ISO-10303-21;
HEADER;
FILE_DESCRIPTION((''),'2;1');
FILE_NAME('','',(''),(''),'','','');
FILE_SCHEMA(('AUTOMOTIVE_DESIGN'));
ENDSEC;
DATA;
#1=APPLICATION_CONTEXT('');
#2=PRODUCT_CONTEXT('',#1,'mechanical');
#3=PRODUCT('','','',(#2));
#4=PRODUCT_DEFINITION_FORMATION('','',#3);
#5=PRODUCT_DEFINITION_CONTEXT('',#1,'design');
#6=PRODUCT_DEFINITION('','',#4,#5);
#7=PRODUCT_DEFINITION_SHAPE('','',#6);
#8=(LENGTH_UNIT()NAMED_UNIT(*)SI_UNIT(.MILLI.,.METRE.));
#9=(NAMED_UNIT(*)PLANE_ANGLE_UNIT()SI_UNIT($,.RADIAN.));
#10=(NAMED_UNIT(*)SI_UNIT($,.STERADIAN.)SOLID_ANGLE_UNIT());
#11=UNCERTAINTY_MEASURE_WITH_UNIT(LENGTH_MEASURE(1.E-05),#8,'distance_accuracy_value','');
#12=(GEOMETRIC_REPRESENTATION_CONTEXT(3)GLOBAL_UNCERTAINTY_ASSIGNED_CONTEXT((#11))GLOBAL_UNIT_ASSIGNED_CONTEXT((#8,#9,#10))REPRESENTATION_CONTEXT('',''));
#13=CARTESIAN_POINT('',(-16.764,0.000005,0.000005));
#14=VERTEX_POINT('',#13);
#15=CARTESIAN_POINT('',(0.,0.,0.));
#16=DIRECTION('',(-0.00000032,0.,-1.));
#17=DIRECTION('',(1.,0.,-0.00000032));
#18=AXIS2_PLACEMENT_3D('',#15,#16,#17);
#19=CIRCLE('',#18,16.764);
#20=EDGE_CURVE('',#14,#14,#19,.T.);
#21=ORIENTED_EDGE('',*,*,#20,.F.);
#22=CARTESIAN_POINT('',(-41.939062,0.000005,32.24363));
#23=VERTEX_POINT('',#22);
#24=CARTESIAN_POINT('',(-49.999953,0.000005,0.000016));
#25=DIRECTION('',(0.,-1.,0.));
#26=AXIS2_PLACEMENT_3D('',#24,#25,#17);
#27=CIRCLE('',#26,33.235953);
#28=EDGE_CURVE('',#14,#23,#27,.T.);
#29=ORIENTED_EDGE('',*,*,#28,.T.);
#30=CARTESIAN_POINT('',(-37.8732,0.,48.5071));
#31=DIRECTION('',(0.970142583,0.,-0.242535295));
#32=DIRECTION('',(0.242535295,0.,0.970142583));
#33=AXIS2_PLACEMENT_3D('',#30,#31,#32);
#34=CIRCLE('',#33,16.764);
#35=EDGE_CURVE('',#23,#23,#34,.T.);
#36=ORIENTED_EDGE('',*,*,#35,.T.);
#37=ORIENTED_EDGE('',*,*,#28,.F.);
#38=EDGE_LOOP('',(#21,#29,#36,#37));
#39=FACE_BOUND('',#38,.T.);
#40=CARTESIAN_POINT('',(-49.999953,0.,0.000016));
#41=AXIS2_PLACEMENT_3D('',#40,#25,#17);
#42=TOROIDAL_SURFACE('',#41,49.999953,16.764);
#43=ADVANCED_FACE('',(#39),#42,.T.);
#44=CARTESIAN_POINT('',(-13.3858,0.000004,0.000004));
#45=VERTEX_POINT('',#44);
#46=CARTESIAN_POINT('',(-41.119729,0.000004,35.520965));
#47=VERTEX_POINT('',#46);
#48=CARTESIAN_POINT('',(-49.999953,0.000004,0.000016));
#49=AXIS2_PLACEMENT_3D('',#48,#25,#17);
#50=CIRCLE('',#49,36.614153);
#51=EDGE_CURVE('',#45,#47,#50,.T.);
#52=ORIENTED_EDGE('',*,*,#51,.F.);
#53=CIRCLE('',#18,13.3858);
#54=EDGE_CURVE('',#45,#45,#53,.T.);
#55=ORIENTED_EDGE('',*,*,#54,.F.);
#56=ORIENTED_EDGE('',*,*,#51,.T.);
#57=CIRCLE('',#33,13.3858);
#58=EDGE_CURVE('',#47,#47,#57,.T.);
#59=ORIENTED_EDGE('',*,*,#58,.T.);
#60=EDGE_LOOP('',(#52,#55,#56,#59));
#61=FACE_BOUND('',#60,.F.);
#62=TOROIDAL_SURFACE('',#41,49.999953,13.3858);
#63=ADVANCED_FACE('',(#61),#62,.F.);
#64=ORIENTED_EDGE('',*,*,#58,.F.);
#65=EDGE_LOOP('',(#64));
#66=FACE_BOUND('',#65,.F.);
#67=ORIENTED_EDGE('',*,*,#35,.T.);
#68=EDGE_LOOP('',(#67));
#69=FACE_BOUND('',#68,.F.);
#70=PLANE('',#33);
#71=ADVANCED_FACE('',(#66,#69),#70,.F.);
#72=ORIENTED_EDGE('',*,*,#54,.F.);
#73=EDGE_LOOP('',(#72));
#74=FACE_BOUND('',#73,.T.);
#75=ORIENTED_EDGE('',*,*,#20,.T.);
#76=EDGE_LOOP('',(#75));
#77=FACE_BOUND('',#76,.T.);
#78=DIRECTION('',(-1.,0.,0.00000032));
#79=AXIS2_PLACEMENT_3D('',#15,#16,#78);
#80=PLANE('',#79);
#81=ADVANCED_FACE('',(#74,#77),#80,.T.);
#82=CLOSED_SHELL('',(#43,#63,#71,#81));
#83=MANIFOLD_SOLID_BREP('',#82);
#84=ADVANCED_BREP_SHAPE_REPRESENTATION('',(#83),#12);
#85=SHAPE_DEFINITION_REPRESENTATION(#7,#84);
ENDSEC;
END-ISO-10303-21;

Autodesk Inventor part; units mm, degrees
ref_plane "Start plane" through (0, 0, 0) normal (0, 0, 1) x (1, 0, 0)
ref_plane "End plane" through (0, 0, 66.2909) normal (0, 0, 1) x (1, 0, 0)
sketch "Sketch" plane through (0, 0, 0) normal (0, 0, -1) x (-1, 0, 0)
  circle A0 centre (0, 0) radius 13.3858
  circle A1 centre (0, 0) radius 16.764
  dimension "d0" = 33.528
  dimension "d1" = 3.3782
sketch "Sketch3" plane through (0, 0, 0) normal (0, 0, 1) x (1, 0, 0)
  line L0 (0, 0) -> (10, 0)
ref_plane "Work Plane3" through (0, 0, 0) normal (0, -1, 0) x (1, 0, 0)
ref_plane "Orientation Work Plane" through (0, 0, 0) normal (0, 0, -1) x (-1, 0, 0)
sketch3d "Sweep Path"
  arc A0 (0, 0, 0) -> (-37.8732, 0, 48.5071) centre (-50, 0, 0) ccw
sweep "Body" add profiles "Sketch" path "Sweep Path"
sketch "Sketch4" plane through (0, 0, 0) normal (0, -1, 0) x (1, 0, 0)
  line L0 (-2, 0) -> (12, 0) projected
  line L1 (-2, 66.2909) -> (12, 66.2909) projected
  dimension "d7" = 66.2909
equation "\"d0\" = G_H"
equation "\"d1\" = G_T"
equation "\"G_H\" = 33.528"
equation "\"G_T\" = 3.3782"
equation "\"G_L\" = d7"
equation "\"G_OFFSET_START\" = 0"
equation "\"G_OFFSET_END\" = 0"
equation "\"d5\" = G_OFFSET_END + B_L"
equation "\"B_L\" = 66.29088"
properties part number "ANSI - 1 x 0.133 - 2.61" material "Steel, Mild"
